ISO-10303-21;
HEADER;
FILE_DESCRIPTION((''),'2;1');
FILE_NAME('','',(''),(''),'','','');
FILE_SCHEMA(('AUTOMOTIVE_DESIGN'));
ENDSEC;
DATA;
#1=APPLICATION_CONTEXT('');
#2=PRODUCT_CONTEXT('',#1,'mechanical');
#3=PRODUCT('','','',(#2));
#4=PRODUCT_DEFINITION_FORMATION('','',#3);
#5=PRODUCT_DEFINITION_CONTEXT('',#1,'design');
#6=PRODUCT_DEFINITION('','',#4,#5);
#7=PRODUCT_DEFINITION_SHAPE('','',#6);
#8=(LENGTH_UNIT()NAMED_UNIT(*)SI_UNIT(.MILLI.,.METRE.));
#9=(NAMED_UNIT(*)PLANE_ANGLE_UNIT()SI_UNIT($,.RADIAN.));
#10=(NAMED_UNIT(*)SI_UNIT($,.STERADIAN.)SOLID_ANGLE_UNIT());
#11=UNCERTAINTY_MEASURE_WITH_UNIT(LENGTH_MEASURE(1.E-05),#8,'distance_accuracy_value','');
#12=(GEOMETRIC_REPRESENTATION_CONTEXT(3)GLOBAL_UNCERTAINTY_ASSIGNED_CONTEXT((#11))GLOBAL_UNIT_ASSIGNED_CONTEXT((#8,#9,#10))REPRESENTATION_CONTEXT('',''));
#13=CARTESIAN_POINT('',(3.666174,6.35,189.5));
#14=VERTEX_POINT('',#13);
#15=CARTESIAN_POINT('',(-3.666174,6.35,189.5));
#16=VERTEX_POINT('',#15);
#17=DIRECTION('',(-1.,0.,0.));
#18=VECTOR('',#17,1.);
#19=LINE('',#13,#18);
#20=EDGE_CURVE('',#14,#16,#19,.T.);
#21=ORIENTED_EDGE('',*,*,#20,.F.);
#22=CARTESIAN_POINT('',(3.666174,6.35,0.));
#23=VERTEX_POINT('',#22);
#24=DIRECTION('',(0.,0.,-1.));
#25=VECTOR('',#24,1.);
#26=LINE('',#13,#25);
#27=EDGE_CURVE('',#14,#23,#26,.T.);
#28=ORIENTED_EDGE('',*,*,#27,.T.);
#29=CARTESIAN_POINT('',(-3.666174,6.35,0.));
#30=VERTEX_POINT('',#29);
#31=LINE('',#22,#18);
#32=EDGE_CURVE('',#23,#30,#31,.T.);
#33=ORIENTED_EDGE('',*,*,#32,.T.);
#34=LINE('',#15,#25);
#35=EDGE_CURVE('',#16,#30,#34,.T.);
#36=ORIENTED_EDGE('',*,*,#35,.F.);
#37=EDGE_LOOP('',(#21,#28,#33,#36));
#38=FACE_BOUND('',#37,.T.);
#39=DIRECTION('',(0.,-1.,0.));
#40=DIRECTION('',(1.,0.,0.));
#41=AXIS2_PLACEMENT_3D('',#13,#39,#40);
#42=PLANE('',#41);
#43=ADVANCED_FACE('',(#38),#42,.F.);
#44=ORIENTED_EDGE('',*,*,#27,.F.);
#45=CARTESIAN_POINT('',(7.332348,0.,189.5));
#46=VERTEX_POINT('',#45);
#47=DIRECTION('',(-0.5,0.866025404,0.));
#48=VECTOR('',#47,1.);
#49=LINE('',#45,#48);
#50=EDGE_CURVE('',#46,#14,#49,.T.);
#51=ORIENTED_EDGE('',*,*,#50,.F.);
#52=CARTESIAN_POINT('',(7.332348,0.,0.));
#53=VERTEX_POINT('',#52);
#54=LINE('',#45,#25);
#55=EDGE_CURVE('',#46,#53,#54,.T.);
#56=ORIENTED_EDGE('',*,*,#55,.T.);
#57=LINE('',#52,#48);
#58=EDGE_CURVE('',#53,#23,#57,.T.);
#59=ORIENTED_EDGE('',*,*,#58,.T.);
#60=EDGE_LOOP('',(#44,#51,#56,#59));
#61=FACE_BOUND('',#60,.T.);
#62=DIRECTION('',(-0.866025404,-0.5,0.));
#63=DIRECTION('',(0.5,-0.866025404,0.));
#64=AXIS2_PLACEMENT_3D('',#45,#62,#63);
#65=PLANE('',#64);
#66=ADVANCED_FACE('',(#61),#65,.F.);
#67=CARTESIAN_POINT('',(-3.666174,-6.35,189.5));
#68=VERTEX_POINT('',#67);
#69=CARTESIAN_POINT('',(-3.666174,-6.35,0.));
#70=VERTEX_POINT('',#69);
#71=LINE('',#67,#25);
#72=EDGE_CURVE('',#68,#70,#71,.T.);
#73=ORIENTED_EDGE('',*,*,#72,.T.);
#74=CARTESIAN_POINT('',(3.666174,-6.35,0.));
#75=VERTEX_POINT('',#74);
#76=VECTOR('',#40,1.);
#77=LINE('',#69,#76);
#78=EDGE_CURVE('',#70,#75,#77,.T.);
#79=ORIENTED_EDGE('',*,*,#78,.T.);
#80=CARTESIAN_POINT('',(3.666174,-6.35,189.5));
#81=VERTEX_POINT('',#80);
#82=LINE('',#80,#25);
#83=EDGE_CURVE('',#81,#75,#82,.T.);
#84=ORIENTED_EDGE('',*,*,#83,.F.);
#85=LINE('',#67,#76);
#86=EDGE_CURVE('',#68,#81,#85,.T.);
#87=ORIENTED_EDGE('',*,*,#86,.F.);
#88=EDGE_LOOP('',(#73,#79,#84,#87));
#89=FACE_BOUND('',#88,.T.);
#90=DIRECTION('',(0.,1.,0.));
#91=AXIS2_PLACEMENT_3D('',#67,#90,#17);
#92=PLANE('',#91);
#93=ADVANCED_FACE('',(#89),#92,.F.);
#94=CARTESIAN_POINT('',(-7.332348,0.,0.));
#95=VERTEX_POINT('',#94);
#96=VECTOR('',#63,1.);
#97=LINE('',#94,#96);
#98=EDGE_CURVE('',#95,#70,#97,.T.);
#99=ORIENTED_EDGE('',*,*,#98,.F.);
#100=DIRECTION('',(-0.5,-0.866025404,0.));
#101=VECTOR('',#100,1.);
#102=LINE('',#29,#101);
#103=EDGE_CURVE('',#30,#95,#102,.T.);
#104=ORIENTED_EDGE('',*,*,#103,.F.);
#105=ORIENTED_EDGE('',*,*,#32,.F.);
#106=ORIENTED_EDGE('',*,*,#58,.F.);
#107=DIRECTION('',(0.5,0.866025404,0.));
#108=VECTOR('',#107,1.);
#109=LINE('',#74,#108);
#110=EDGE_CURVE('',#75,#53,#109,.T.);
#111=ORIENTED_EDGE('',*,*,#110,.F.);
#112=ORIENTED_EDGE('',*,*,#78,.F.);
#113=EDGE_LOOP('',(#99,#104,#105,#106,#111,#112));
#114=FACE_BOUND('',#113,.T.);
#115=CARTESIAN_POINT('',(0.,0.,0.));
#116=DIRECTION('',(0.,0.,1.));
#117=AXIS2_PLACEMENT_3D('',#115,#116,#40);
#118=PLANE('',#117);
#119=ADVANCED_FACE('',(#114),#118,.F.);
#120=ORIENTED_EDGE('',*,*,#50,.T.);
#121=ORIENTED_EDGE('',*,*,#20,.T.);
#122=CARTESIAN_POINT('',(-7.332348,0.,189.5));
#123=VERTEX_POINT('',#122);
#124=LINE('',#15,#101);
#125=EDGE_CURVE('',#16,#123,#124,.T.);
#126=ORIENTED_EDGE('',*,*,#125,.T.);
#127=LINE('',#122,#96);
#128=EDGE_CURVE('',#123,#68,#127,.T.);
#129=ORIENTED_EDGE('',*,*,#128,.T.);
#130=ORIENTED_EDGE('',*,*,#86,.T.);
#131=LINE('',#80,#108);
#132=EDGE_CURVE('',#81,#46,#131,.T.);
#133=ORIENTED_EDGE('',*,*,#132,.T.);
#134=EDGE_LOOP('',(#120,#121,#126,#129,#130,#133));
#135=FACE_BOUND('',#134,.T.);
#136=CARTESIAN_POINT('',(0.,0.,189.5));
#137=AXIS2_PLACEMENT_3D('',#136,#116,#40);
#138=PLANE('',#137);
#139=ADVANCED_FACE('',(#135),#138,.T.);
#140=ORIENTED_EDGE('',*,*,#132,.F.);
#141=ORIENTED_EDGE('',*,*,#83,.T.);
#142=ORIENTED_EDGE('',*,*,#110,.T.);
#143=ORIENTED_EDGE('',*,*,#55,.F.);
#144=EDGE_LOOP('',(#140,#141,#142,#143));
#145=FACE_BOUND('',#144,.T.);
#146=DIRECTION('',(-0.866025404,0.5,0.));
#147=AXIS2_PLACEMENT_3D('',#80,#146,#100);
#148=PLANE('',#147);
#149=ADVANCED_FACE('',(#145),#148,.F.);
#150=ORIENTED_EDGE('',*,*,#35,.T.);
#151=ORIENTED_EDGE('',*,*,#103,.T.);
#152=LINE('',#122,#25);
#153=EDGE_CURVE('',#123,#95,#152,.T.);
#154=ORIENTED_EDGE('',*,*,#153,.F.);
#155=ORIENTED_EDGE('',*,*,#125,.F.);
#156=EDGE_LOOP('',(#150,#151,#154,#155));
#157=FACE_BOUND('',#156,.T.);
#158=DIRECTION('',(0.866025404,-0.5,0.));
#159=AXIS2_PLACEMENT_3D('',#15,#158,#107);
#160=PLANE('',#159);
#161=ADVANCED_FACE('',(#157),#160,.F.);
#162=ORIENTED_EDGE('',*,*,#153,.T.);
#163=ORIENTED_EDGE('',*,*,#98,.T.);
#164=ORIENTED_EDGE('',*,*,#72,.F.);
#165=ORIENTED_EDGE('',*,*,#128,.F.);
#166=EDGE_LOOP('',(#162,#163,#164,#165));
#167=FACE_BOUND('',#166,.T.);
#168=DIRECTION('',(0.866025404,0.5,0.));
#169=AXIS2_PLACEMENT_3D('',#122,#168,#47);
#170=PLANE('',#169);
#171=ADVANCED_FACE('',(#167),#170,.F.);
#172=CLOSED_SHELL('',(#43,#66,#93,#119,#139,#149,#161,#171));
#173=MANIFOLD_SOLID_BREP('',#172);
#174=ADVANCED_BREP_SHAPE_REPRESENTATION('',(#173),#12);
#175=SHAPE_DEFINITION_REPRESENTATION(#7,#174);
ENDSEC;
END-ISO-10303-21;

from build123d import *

# Parameters (mm, degrees)
SALIENTE_EXTRUIR1_DEPTH = 189.5


with BuildPart() as part:
    # Croquis1 → Saliente-Extruir1 (new body)
    with BuildSketch(Plane.XY):
        Polygon((7.332348419, 0), (3.666174209, 6.35), (-3.666174209, 6.35), (-7.332348419, 0), (-3.666174209, -6.35), (3.666174209, -6.35), align=None)
    extrude(amount=SALIENTE_EXTRUIR1_DEPTH)


solid = part.part
